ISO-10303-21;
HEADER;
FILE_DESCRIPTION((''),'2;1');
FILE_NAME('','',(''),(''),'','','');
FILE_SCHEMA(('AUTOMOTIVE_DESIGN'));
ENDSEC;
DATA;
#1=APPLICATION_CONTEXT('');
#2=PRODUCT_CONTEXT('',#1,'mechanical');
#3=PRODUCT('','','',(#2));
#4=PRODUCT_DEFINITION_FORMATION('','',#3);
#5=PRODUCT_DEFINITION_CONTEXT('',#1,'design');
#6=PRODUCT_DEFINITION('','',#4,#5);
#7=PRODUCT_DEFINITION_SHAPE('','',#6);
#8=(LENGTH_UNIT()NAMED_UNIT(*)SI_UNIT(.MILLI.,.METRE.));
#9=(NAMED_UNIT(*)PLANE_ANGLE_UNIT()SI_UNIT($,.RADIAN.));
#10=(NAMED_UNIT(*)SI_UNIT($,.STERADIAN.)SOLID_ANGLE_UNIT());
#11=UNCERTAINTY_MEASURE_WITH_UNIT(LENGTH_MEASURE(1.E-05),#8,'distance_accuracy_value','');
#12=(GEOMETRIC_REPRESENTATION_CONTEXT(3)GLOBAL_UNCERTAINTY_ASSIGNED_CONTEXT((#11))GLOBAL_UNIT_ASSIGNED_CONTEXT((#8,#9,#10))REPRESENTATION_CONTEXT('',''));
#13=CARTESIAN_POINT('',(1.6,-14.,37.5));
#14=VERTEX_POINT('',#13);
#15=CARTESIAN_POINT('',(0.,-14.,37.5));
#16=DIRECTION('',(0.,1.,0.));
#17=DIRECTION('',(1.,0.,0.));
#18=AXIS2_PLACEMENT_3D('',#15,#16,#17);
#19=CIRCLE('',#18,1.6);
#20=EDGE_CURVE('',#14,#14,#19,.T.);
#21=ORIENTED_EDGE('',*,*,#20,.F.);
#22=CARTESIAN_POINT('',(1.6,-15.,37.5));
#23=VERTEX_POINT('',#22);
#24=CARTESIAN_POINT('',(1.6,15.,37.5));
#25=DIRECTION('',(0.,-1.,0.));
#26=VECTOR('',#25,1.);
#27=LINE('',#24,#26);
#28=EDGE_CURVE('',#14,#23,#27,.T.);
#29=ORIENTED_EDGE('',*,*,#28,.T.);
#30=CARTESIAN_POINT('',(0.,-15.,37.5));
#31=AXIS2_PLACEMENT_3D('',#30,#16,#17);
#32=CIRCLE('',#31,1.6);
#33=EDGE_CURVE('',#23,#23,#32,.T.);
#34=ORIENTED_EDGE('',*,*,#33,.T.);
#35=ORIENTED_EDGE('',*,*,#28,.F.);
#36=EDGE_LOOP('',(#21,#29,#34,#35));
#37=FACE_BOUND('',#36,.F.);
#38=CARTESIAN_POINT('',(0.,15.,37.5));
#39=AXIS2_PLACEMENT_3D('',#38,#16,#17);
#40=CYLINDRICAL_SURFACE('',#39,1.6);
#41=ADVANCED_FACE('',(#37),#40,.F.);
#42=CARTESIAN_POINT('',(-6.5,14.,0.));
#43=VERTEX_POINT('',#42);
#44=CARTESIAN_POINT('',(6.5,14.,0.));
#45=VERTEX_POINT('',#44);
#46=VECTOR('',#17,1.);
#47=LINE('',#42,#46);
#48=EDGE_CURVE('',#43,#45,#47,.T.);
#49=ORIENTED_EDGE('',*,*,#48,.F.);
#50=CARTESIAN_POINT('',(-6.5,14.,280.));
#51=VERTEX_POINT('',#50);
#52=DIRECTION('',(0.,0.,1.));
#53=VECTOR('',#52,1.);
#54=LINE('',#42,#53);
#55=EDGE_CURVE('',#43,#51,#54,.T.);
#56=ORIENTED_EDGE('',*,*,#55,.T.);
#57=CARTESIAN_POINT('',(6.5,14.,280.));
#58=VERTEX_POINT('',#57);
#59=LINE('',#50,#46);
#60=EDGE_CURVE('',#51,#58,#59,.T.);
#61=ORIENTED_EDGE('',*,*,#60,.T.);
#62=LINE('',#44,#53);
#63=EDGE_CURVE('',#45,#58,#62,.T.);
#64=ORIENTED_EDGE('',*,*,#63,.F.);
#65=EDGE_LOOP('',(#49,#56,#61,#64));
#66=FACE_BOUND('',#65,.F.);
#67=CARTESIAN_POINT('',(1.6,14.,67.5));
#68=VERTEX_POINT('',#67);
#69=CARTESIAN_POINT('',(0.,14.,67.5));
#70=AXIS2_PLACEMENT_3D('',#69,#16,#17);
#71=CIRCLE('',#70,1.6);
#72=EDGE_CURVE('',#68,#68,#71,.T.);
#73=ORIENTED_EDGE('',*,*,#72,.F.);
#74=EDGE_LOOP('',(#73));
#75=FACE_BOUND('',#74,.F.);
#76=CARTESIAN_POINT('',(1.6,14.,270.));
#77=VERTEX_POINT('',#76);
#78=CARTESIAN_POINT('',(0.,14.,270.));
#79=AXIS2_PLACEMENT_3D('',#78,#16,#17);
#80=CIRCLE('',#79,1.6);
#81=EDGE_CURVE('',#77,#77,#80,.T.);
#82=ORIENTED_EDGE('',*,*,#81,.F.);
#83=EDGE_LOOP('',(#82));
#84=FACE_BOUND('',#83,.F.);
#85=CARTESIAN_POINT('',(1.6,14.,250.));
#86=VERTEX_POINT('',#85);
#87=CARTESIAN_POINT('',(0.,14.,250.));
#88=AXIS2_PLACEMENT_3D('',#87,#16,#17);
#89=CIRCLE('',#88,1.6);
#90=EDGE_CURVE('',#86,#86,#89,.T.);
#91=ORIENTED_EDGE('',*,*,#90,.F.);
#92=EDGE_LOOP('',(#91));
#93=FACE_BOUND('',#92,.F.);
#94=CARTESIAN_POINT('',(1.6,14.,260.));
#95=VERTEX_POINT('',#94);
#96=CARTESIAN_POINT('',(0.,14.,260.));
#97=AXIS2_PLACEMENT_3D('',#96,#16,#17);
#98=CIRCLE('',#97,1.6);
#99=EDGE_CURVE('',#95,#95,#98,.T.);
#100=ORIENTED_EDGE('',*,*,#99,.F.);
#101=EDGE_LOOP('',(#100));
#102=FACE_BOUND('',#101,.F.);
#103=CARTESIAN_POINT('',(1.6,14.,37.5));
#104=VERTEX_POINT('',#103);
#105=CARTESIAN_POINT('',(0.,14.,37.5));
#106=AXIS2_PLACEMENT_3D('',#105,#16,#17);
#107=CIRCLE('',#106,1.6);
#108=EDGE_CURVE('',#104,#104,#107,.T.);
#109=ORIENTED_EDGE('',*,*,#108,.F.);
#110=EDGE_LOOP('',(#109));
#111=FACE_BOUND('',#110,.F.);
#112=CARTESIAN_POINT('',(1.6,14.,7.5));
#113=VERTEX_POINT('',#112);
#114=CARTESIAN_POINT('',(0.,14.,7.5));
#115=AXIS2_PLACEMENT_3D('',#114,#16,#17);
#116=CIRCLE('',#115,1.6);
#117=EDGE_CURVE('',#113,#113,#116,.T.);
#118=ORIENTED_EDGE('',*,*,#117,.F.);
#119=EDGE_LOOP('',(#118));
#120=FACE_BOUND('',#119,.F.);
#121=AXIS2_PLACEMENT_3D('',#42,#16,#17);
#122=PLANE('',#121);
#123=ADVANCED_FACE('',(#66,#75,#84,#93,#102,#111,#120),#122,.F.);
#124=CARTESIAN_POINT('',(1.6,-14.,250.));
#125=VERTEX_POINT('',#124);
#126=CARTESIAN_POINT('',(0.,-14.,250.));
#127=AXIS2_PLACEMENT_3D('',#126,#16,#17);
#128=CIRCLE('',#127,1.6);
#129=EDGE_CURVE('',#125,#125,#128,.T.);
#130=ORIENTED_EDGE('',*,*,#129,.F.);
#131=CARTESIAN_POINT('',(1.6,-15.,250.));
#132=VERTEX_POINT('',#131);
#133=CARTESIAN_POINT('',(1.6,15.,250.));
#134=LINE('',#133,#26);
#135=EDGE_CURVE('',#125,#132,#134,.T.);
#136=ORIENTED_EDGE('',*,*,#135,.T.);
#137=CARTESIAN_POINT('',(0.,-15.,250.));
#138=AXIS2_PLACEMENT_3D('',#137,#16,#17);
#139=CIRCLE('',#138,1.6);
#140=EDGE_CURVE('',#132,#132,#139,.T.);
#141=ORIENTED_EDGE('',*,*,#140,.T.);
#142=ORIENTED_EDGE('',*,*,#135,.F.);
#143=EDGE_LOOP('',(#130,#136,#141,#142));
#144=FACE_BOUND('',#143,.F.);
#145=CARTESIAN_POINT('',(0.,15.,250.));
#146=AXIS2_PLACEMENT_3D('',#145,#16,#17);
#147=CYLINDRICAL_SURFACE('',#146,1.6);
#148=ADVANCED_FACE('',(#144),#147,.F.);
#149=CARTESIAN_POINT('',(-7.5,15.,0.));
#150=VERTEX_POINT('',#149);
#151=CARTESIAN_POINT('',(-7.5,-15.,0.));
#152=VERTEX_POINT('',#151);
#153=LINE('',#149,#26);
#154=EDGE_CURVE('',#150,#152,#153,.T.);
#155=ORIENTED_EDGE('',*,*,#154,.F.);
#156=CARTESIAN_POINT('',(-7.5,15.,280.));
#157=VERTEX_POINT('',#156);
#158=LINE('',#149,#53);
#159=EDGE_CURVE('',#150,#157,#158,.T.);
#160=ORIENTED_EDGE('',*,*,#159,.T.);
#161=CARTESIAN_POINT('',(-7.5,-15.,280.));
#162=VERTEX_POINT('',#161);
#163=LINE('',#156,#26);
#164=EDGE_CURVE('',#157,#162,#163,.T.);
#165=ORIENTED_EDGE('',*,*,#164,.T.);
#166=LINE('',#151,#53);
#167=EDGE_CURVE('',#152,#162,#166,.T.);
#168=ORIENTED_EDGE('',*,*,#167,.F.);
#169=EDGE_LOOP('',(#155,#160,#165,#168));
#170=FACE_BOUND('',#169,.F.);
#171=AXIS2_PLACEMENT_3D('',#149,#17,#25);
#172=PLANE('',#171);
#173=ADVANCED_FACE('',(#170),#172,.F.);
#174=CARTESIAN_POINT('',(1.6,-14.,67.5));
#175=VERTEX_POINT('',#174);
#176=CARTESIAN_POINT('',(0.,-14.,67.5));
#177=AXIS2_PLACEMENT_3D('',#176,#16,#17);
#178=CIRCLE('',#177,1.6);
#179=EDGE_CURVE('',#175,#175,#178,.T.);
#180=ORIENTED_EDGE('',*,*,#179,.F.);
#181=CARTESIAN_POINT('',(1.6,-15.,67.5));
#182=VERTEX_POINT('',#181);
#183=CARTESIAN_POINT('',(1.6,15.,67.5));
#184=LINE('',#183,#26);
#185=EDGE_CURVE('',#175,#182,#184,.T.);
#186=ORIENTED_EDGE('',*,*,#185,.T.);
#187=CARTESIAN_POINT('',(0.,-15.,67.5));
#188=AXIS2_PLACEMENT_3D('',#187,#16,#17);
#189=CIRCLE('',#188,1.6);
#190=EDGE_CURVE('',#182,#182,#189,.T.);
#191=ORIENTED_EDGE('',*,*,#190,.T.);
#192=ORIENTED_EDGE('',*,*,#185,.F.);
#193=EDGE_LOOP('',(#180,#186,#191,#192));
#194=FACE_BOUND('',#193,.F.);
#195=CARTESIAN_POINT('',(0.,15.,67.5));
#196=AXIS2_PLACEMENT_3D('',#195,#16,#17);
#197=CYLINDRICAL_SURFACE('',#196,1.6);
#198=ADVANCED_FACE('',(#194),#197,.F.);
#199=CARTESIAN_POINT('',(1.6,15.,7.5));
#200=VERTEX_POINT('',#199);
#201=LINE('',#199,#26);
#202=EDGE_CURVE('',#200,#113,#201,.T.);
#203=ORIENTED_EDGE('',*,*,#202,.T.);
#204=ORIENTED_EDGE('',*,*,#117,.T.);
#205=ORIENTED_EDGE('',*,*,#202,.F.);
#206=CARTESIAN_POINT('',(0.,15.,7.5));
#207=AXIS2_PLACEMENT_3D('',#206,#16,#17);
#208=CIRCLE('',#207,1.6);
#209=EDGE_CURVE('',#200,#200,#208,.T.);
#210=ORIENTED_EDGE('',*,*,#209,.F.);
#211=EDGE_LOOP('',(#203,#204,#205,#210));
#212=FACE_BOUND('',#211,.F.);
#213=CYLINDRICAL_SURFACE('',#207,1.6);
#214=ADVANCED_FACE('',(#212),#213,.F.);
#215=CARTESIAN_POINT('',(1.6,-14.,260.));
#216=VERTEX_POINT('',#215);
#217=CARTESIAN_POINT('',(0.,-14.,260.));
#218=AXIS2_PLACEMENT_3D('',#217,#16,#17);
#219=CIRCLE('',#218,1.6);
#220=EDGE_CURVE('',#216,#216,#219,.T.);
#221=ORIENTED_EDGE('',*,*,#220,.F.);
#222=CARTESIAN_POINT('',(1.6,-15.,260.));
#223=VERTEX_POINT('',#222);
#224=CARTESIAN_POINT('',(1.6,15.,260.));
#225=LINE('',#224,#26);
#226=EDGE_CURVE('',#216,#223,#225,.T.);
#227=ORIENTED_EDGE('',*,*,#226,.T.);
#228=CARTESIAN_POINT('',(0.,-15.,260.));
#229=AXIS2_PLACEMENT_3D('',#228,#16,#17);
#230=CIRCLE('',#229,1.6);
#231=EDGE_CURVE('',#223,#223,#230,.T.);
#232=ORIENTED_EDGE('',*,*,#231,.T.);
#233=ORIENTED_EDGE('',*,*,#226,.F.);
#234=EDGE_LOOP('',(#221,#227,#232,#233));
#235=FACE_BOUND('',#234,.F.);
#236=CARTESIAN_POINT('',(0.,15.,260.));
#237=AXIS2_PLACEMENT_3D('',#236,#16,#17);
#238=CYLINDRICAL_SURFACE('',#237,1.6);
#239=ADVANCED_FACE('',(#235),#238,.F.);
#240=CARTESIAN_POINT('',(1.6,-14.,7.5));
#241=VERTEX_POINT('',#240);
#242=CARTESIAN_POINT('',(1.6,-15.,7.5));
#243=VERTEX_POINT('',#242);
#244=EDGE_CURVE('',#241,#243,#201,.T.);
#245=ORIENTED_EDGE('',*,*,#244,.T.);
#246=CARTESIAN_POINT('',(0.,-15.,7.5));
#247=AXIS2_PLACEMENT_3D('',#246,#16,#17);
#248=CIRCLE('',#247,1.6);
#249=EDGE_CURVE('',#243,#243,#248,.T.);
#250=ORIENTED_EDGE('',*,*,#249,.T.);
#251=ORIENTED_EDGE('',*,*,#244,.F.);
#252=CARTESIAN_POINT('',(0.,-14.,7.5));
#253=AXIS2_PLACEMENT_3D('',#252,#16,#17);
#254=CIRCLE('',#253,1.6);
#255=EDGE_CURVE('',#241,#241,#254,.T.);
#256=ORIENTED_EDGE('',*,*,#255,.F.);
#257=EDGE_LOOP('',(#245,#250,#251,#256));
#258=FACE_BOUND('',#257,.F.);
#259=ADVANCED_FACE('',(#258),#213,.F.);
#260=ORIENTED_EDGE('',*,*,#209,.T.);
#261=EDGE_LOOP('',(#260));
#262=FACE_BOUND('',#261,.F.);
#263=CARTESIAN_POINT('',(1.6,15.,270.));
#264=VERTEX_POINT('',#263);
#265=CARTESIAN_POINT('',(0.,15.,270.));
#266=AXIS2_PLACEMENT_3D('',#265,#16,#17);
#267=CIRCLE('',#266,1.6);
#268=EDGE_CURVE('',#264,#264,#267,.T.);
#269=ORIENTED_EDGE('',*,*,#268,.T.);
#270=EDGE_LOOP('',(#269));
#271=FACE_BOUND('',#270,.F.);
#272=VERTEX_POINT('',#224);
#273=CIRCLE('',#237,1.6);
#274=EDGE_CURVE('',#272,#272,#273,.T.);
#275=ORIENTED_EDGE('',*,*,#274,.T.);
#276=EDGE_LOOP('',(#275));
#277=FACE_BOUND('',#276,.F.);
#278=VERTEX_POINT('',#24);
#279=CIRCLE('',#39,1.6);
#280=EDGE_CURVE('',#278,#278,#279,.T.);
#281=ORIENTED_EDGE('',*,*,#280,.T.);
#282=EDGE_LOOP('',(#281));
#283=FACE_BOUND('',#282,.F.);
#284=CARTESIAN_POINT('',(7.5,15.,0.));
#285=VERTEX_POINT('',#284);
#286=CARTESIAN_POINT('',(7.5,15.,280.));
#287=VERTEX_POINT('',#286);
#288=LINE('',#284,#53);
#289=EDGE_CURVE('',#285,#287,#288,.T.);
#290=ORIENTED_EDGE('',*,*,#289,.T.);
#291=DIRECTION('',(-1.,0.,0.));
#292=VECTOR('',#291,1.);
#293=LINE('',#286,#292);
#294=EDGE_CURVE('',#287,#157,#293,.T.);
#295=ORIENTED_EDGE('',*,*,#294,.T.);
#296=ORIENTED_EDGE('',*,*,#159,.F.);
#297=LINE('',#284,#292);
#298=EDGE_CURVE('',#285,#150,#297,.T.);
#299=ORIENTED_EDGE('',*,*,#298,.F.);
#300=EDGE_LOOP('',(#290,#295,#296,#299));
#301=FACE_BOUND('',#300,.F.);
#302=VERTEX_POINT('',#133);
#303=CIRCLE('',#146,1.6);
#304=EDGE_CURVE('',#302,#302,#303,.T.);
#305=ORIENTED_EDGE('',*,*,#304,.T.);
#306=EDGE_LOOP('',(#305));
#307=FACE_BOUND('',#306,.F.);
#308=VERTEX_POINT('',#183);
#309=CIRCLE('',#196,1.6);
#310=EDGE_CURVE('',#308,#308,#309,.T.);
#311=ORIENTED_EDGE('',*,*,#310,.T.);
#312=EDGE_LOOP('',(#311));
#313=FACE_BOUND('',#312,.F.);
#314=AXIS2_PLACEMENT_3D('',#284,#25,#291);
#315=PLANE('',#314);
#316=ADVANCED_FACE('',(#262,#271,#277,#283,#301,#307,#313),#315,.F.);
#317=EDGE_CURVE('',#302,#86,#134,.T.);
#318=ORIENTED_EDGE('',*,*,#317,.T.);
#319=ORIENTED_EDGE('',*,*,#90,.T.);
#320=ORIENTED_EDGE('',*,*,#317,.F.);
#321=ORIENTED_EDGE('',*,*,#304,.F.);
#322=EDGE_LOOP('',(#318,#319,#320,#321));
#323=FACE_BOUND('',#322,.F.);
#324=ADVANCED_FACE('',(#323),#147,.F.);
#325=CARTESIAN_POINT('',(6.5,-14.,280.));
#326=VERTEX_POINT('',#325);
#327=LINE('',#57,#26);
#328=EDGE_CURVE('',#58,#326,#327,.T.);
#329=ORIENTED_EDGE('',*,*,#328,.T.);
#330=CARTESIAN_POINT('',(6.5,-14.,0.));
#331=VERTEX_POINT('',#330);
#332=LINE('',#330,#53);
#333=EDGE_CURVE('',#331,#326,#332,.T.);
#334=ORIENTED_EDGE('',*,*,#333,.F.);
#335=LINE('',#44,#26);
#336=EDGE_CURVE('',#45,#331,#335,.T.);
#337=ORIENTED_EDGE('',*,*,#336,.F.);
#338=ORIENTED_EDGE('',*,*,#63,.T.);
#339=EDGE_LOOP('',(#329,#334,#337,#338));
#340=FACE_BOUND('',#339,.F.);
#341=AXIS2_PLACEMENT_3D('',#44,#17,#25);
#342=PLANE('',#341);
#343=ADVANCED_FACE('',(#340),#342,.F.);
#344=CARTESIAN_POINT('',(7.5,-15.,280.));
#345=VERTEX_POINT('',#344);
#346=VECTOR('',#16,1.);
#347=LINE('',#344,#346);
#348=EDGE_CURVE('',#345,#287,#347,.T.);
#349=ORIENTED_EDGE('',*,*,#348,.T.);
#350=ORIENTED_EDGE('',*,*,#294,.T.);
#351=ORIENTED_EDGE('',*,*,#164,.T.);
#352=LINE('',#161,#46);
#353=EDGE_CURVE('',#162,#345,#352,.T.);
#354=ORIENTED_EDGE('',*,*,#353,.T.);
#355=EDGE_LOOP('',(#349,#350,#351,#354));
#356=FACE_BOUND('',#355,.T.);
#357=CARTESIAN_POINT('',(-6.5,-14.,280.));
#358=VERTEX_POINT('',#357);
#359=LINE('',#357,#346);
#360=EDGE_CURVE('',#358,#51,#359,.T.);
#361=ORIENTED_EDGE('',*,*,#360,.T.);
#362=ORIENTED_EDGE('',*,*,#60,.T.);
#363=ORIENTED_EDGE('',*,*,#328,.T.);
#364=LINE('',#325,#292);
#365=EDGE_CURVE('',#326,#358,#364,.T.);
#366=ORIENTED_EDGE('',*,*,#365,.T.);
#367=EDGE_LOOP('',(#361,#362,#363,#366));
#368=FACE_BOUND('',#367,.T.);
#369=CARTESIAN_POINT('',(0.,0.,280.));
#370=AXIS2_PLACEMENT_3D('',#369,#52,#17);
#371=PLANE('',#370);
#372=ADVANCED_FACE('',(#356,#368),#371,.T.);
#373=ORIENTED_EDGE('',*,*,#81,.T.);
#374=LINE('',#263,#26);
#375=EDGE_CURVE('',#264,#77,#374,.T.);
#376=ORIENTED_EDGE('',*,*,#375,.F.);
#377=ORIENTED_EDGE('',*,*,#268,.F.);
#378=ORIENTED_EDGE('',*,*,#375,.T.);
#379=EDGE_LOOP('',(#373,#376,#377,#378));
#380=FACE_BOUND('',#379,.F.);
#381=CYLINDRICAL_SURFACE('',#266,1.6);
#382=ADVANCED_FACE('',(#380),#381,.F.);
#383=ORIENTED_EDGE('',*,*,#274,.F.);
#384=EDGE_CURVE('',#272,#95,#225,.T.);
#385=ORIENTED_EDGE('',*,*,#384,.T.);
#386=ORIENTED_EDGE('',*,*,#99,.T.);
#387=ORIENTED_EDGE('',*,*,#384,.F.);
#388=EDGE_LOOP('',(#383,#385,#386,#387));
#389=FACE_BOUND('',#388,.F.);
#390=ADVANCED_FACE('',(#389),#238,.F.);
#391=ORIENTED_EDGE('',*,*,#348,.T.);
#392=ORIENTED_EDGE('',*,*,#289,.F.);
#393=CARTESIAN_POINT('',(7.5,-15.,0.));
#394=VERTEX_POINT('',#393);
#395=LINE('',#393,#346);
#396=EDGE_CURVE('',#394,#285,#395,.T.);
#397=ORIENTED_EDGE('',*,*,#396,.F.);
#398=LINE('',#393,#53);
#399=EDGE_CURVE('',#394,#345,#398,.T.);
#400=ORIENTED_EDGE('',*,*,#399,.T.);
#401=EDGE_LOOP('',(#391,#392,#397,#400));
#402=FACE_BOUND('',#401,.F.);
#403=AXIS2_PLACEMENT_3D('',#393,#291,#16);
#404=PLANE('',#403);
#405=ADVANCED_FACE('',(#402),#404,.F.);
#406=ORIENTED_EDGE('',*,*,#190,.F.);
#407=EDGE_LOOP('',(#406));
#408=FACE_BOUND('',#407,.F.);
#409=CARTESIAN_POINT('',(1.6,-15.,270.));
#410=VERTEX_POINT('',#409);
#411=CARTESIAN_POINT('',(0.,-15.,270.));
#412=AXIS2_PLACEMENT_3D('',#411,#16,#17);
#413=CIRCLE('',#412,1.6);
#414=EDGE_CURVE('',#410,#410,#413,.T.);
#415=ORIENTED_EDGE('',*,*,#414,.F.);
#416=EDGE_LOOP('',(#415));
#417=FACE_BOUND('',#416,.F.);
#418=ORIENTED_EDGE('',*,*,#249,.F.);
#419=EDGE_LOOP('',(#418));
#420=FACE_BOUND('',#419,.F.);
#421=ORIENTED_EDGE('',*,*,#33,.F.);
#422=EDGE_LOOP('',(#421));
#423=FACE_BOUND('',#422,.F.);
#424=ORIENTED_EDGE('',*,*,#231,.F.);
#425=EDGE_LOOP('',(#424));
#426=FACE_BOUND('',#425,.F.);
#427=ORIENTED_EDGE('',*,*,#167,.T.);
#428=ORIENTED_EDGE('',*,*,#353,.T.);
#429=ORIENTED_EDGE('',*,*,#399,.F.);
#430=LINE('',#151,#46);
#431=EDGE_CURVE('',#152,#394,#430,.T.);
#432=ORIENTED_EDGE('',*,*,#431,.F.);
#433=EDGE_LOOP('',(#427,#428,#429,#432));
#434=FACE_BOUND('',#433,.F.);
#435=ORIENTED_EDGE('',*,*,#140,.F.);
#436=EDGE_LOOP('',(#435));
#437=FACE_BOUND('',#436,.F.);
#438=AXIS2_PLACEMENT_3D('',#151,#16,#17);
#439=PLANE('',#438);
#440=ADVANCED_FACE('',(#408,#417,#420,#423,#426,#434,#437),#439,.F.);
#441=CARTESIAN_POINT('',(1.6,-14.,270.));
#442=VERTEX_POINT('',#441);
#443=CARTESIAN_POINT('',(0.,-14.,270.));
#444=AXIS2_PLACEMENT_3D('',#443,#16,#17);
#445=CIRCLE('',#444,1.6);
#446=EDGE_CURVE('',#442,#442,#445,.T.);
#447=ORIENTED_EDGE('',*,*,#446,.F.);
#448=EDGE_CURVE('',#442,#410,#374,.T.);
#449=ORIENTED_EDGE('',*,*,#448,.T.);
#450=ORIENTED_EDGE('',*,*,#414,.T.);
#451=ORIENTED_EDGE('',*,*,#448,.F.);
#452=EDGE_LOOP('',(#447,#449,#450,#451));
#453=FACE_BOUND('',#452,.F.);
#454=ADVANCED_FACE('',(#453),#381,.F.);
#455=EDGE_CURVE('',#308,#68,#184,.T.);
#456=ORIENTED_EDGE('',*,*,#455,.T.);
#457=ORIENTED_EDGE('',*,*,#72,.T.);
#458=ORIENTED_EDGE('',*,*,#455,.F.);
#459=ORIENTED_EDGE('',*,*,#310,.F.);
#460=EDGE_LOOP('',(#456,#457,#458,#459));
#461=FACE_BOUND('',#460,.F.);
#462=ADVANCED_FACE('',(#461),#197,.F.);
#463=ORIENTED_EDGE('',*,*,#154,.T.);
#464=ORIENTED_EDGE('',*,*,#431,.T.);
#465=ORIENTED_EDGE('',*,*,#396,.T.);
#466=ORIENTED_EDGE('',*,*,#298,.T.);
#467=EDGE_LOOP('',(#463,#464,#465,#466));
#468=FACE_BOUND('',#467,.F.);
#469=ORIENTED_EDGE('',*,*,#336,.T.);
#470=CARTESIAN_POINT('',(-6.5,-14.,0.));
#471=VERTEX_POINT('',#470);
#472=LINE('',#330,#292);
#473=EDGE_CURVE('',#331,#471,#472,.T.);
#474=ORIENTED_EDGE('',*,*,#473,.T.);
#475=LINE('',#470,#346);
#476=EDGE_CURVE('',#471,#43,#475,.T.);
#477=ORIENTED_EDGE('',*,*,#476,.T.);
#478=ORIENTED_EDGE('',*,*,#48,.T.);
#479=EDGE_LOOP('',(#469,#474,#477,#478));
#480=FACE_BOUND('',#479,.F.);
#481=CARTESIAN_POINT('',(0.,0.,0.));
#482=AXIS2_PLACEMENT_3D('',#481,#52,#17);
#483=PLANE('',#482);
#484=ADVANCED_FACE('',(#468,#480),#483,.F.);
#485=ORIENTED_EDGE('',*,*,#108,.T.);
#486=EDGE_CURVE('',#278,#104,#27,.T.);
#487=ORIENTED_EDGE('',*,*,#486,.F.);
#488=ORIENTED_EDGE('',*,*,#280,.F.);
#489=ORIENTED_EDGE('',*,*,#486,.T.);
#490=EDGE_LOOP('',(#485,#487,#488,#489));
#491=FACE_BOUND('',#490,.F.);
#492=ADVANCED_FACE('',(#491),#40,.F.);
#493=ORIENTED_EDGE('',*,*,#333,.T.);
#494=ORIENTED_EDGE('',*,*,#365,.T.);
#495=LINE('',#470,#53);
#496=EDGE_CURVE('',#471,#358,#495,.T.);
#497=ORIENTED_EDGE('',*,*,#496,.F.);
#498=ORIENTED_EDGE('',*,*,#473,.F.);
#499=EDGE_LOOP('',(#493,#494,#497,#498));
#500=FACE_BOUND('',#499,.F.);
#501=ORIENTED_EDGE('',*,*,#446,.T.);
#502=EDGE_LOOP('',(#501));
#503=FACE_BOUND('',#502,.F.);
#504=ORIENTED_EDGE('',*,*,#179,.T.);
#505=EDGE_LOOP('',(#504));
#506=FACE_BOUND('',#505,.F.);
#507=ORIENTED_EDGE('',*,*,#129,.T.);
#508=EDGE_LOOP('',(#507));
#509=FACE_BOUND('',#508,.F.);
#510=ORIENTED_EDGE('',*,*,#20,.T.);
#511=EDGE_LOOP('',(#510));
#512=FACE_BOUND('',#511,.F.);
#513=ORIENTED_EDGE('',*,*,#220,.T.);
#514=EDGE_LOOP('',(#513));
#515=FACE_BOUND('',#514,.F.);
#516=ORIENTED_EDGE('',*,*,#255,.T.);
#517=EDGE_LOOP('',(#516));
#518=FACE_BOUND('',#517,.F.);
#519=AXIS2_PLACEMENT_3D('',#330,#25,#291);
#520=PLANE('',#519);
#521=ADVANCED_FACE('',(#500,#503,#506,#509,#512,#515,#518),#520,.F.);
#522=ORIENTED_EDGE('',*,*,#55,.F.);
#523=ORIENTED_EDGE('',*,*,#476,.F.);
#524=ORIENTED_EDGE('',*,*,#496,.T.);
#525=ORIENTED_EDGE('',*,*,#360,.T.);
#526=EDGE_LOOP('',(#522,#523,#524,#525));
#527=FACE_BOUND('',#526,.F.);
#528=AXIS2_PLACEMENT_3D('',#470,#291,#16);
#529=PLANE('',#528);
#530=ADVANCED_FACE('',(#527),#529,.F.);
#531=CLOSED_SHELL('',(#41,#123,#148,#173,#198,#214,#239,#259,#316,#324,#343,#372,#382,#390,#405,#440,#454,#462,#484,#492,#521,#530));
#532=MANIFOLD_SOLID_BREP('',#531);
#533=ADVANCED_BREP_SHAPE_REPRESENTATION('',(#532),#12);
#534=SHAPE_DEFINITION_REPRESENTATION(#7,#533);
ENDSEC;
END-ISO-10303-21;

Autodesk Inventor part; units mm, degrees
ref_plane "YZ Plane" through (0, 0, 0) normal (1, 0, 0) x (0, 1, 0)
ref_plane "XZ Plane" through (0, 0, 0) normal (0, 1, 0) x (-1, 0, 0)
ref_plane "XY Plane" through (0, 0, 0) normal (0, 0, 1) x (1, 0, 0)
sketch "スケッチ1" plane through (0, 0, 0) normal (0, 0, 1) x (1, 0, 0)
  line L0 (7.5, 15) -> (-7.5, 15)
  line L1 (-7.5, 15) -> (-7.5, -15)
  line L2 (-7.5, -15) -> (7.5, -15)
  line L3 (7.5, -15) -> (7.5, 15)
  line L4 (7.5, 15) -> (-7.5, -15) construction
  line L5 (-7.5, 15) -> (7.5, -15) construction
  line L6 (-6.5, 14) -> (6.5, 14)
  line L7 (6.5, 14) -> (6.5, -14)
  line L8 (6.5, -14) -> (-6.5, -14)
  line L9 (-6.5, -14) -> (-6.5, 14)
  point P0 (0, 0)
  dimension "d0" = 15
  dimension "d1" = 30
  dimension "d2" = 1
extrude "押し出し1" add sketch "スケッチ1" along normal blind 280
sketch "スケッチ2" plane through (-7.5, 15, 0) normal (0, 1, 0) x (1, 0, 0)
  circle A0 centre (7.5, -7.5) radius 1.6
  circle A1 centre (7.5, -37.5) radius 1.6
  circle A2 centre (7.5, -67.5) radius 1.6
  line L0 (15, 0) -> (0, 0) projected
  circle A3 centre (7.5, -270) radius 1.6
  circle A4 centre (7.5, -260) radius 1.6
  circle A5 centre (7.5, -250) radius 1.6
  line L1 (15, -280) -> (0, -280) projected
  point P0 (7.5, 0)
  point P1 (7.5, 0)
  point P2 (7.5, -280)
  dimension "d5" = 3.2
  dimension "d6" = 3.2
  dimension "d7" = 3.2
  dimension "d8" = 7.5
  dimension "d9" = 30
  dimension "d10" = 30
  dimension "d11" = 3.2
  dimension "d12" = 3.2
  dimension "d13" = 3.2
  dimension "d14" = 10
  dimension "d15" = 10
  dimension "d16" = 10
extrude "押し出し2" cut sketch "スケッチ2" against normal through all
properties part number "アーム3_角柱1" material "アルミニウム 6061"
